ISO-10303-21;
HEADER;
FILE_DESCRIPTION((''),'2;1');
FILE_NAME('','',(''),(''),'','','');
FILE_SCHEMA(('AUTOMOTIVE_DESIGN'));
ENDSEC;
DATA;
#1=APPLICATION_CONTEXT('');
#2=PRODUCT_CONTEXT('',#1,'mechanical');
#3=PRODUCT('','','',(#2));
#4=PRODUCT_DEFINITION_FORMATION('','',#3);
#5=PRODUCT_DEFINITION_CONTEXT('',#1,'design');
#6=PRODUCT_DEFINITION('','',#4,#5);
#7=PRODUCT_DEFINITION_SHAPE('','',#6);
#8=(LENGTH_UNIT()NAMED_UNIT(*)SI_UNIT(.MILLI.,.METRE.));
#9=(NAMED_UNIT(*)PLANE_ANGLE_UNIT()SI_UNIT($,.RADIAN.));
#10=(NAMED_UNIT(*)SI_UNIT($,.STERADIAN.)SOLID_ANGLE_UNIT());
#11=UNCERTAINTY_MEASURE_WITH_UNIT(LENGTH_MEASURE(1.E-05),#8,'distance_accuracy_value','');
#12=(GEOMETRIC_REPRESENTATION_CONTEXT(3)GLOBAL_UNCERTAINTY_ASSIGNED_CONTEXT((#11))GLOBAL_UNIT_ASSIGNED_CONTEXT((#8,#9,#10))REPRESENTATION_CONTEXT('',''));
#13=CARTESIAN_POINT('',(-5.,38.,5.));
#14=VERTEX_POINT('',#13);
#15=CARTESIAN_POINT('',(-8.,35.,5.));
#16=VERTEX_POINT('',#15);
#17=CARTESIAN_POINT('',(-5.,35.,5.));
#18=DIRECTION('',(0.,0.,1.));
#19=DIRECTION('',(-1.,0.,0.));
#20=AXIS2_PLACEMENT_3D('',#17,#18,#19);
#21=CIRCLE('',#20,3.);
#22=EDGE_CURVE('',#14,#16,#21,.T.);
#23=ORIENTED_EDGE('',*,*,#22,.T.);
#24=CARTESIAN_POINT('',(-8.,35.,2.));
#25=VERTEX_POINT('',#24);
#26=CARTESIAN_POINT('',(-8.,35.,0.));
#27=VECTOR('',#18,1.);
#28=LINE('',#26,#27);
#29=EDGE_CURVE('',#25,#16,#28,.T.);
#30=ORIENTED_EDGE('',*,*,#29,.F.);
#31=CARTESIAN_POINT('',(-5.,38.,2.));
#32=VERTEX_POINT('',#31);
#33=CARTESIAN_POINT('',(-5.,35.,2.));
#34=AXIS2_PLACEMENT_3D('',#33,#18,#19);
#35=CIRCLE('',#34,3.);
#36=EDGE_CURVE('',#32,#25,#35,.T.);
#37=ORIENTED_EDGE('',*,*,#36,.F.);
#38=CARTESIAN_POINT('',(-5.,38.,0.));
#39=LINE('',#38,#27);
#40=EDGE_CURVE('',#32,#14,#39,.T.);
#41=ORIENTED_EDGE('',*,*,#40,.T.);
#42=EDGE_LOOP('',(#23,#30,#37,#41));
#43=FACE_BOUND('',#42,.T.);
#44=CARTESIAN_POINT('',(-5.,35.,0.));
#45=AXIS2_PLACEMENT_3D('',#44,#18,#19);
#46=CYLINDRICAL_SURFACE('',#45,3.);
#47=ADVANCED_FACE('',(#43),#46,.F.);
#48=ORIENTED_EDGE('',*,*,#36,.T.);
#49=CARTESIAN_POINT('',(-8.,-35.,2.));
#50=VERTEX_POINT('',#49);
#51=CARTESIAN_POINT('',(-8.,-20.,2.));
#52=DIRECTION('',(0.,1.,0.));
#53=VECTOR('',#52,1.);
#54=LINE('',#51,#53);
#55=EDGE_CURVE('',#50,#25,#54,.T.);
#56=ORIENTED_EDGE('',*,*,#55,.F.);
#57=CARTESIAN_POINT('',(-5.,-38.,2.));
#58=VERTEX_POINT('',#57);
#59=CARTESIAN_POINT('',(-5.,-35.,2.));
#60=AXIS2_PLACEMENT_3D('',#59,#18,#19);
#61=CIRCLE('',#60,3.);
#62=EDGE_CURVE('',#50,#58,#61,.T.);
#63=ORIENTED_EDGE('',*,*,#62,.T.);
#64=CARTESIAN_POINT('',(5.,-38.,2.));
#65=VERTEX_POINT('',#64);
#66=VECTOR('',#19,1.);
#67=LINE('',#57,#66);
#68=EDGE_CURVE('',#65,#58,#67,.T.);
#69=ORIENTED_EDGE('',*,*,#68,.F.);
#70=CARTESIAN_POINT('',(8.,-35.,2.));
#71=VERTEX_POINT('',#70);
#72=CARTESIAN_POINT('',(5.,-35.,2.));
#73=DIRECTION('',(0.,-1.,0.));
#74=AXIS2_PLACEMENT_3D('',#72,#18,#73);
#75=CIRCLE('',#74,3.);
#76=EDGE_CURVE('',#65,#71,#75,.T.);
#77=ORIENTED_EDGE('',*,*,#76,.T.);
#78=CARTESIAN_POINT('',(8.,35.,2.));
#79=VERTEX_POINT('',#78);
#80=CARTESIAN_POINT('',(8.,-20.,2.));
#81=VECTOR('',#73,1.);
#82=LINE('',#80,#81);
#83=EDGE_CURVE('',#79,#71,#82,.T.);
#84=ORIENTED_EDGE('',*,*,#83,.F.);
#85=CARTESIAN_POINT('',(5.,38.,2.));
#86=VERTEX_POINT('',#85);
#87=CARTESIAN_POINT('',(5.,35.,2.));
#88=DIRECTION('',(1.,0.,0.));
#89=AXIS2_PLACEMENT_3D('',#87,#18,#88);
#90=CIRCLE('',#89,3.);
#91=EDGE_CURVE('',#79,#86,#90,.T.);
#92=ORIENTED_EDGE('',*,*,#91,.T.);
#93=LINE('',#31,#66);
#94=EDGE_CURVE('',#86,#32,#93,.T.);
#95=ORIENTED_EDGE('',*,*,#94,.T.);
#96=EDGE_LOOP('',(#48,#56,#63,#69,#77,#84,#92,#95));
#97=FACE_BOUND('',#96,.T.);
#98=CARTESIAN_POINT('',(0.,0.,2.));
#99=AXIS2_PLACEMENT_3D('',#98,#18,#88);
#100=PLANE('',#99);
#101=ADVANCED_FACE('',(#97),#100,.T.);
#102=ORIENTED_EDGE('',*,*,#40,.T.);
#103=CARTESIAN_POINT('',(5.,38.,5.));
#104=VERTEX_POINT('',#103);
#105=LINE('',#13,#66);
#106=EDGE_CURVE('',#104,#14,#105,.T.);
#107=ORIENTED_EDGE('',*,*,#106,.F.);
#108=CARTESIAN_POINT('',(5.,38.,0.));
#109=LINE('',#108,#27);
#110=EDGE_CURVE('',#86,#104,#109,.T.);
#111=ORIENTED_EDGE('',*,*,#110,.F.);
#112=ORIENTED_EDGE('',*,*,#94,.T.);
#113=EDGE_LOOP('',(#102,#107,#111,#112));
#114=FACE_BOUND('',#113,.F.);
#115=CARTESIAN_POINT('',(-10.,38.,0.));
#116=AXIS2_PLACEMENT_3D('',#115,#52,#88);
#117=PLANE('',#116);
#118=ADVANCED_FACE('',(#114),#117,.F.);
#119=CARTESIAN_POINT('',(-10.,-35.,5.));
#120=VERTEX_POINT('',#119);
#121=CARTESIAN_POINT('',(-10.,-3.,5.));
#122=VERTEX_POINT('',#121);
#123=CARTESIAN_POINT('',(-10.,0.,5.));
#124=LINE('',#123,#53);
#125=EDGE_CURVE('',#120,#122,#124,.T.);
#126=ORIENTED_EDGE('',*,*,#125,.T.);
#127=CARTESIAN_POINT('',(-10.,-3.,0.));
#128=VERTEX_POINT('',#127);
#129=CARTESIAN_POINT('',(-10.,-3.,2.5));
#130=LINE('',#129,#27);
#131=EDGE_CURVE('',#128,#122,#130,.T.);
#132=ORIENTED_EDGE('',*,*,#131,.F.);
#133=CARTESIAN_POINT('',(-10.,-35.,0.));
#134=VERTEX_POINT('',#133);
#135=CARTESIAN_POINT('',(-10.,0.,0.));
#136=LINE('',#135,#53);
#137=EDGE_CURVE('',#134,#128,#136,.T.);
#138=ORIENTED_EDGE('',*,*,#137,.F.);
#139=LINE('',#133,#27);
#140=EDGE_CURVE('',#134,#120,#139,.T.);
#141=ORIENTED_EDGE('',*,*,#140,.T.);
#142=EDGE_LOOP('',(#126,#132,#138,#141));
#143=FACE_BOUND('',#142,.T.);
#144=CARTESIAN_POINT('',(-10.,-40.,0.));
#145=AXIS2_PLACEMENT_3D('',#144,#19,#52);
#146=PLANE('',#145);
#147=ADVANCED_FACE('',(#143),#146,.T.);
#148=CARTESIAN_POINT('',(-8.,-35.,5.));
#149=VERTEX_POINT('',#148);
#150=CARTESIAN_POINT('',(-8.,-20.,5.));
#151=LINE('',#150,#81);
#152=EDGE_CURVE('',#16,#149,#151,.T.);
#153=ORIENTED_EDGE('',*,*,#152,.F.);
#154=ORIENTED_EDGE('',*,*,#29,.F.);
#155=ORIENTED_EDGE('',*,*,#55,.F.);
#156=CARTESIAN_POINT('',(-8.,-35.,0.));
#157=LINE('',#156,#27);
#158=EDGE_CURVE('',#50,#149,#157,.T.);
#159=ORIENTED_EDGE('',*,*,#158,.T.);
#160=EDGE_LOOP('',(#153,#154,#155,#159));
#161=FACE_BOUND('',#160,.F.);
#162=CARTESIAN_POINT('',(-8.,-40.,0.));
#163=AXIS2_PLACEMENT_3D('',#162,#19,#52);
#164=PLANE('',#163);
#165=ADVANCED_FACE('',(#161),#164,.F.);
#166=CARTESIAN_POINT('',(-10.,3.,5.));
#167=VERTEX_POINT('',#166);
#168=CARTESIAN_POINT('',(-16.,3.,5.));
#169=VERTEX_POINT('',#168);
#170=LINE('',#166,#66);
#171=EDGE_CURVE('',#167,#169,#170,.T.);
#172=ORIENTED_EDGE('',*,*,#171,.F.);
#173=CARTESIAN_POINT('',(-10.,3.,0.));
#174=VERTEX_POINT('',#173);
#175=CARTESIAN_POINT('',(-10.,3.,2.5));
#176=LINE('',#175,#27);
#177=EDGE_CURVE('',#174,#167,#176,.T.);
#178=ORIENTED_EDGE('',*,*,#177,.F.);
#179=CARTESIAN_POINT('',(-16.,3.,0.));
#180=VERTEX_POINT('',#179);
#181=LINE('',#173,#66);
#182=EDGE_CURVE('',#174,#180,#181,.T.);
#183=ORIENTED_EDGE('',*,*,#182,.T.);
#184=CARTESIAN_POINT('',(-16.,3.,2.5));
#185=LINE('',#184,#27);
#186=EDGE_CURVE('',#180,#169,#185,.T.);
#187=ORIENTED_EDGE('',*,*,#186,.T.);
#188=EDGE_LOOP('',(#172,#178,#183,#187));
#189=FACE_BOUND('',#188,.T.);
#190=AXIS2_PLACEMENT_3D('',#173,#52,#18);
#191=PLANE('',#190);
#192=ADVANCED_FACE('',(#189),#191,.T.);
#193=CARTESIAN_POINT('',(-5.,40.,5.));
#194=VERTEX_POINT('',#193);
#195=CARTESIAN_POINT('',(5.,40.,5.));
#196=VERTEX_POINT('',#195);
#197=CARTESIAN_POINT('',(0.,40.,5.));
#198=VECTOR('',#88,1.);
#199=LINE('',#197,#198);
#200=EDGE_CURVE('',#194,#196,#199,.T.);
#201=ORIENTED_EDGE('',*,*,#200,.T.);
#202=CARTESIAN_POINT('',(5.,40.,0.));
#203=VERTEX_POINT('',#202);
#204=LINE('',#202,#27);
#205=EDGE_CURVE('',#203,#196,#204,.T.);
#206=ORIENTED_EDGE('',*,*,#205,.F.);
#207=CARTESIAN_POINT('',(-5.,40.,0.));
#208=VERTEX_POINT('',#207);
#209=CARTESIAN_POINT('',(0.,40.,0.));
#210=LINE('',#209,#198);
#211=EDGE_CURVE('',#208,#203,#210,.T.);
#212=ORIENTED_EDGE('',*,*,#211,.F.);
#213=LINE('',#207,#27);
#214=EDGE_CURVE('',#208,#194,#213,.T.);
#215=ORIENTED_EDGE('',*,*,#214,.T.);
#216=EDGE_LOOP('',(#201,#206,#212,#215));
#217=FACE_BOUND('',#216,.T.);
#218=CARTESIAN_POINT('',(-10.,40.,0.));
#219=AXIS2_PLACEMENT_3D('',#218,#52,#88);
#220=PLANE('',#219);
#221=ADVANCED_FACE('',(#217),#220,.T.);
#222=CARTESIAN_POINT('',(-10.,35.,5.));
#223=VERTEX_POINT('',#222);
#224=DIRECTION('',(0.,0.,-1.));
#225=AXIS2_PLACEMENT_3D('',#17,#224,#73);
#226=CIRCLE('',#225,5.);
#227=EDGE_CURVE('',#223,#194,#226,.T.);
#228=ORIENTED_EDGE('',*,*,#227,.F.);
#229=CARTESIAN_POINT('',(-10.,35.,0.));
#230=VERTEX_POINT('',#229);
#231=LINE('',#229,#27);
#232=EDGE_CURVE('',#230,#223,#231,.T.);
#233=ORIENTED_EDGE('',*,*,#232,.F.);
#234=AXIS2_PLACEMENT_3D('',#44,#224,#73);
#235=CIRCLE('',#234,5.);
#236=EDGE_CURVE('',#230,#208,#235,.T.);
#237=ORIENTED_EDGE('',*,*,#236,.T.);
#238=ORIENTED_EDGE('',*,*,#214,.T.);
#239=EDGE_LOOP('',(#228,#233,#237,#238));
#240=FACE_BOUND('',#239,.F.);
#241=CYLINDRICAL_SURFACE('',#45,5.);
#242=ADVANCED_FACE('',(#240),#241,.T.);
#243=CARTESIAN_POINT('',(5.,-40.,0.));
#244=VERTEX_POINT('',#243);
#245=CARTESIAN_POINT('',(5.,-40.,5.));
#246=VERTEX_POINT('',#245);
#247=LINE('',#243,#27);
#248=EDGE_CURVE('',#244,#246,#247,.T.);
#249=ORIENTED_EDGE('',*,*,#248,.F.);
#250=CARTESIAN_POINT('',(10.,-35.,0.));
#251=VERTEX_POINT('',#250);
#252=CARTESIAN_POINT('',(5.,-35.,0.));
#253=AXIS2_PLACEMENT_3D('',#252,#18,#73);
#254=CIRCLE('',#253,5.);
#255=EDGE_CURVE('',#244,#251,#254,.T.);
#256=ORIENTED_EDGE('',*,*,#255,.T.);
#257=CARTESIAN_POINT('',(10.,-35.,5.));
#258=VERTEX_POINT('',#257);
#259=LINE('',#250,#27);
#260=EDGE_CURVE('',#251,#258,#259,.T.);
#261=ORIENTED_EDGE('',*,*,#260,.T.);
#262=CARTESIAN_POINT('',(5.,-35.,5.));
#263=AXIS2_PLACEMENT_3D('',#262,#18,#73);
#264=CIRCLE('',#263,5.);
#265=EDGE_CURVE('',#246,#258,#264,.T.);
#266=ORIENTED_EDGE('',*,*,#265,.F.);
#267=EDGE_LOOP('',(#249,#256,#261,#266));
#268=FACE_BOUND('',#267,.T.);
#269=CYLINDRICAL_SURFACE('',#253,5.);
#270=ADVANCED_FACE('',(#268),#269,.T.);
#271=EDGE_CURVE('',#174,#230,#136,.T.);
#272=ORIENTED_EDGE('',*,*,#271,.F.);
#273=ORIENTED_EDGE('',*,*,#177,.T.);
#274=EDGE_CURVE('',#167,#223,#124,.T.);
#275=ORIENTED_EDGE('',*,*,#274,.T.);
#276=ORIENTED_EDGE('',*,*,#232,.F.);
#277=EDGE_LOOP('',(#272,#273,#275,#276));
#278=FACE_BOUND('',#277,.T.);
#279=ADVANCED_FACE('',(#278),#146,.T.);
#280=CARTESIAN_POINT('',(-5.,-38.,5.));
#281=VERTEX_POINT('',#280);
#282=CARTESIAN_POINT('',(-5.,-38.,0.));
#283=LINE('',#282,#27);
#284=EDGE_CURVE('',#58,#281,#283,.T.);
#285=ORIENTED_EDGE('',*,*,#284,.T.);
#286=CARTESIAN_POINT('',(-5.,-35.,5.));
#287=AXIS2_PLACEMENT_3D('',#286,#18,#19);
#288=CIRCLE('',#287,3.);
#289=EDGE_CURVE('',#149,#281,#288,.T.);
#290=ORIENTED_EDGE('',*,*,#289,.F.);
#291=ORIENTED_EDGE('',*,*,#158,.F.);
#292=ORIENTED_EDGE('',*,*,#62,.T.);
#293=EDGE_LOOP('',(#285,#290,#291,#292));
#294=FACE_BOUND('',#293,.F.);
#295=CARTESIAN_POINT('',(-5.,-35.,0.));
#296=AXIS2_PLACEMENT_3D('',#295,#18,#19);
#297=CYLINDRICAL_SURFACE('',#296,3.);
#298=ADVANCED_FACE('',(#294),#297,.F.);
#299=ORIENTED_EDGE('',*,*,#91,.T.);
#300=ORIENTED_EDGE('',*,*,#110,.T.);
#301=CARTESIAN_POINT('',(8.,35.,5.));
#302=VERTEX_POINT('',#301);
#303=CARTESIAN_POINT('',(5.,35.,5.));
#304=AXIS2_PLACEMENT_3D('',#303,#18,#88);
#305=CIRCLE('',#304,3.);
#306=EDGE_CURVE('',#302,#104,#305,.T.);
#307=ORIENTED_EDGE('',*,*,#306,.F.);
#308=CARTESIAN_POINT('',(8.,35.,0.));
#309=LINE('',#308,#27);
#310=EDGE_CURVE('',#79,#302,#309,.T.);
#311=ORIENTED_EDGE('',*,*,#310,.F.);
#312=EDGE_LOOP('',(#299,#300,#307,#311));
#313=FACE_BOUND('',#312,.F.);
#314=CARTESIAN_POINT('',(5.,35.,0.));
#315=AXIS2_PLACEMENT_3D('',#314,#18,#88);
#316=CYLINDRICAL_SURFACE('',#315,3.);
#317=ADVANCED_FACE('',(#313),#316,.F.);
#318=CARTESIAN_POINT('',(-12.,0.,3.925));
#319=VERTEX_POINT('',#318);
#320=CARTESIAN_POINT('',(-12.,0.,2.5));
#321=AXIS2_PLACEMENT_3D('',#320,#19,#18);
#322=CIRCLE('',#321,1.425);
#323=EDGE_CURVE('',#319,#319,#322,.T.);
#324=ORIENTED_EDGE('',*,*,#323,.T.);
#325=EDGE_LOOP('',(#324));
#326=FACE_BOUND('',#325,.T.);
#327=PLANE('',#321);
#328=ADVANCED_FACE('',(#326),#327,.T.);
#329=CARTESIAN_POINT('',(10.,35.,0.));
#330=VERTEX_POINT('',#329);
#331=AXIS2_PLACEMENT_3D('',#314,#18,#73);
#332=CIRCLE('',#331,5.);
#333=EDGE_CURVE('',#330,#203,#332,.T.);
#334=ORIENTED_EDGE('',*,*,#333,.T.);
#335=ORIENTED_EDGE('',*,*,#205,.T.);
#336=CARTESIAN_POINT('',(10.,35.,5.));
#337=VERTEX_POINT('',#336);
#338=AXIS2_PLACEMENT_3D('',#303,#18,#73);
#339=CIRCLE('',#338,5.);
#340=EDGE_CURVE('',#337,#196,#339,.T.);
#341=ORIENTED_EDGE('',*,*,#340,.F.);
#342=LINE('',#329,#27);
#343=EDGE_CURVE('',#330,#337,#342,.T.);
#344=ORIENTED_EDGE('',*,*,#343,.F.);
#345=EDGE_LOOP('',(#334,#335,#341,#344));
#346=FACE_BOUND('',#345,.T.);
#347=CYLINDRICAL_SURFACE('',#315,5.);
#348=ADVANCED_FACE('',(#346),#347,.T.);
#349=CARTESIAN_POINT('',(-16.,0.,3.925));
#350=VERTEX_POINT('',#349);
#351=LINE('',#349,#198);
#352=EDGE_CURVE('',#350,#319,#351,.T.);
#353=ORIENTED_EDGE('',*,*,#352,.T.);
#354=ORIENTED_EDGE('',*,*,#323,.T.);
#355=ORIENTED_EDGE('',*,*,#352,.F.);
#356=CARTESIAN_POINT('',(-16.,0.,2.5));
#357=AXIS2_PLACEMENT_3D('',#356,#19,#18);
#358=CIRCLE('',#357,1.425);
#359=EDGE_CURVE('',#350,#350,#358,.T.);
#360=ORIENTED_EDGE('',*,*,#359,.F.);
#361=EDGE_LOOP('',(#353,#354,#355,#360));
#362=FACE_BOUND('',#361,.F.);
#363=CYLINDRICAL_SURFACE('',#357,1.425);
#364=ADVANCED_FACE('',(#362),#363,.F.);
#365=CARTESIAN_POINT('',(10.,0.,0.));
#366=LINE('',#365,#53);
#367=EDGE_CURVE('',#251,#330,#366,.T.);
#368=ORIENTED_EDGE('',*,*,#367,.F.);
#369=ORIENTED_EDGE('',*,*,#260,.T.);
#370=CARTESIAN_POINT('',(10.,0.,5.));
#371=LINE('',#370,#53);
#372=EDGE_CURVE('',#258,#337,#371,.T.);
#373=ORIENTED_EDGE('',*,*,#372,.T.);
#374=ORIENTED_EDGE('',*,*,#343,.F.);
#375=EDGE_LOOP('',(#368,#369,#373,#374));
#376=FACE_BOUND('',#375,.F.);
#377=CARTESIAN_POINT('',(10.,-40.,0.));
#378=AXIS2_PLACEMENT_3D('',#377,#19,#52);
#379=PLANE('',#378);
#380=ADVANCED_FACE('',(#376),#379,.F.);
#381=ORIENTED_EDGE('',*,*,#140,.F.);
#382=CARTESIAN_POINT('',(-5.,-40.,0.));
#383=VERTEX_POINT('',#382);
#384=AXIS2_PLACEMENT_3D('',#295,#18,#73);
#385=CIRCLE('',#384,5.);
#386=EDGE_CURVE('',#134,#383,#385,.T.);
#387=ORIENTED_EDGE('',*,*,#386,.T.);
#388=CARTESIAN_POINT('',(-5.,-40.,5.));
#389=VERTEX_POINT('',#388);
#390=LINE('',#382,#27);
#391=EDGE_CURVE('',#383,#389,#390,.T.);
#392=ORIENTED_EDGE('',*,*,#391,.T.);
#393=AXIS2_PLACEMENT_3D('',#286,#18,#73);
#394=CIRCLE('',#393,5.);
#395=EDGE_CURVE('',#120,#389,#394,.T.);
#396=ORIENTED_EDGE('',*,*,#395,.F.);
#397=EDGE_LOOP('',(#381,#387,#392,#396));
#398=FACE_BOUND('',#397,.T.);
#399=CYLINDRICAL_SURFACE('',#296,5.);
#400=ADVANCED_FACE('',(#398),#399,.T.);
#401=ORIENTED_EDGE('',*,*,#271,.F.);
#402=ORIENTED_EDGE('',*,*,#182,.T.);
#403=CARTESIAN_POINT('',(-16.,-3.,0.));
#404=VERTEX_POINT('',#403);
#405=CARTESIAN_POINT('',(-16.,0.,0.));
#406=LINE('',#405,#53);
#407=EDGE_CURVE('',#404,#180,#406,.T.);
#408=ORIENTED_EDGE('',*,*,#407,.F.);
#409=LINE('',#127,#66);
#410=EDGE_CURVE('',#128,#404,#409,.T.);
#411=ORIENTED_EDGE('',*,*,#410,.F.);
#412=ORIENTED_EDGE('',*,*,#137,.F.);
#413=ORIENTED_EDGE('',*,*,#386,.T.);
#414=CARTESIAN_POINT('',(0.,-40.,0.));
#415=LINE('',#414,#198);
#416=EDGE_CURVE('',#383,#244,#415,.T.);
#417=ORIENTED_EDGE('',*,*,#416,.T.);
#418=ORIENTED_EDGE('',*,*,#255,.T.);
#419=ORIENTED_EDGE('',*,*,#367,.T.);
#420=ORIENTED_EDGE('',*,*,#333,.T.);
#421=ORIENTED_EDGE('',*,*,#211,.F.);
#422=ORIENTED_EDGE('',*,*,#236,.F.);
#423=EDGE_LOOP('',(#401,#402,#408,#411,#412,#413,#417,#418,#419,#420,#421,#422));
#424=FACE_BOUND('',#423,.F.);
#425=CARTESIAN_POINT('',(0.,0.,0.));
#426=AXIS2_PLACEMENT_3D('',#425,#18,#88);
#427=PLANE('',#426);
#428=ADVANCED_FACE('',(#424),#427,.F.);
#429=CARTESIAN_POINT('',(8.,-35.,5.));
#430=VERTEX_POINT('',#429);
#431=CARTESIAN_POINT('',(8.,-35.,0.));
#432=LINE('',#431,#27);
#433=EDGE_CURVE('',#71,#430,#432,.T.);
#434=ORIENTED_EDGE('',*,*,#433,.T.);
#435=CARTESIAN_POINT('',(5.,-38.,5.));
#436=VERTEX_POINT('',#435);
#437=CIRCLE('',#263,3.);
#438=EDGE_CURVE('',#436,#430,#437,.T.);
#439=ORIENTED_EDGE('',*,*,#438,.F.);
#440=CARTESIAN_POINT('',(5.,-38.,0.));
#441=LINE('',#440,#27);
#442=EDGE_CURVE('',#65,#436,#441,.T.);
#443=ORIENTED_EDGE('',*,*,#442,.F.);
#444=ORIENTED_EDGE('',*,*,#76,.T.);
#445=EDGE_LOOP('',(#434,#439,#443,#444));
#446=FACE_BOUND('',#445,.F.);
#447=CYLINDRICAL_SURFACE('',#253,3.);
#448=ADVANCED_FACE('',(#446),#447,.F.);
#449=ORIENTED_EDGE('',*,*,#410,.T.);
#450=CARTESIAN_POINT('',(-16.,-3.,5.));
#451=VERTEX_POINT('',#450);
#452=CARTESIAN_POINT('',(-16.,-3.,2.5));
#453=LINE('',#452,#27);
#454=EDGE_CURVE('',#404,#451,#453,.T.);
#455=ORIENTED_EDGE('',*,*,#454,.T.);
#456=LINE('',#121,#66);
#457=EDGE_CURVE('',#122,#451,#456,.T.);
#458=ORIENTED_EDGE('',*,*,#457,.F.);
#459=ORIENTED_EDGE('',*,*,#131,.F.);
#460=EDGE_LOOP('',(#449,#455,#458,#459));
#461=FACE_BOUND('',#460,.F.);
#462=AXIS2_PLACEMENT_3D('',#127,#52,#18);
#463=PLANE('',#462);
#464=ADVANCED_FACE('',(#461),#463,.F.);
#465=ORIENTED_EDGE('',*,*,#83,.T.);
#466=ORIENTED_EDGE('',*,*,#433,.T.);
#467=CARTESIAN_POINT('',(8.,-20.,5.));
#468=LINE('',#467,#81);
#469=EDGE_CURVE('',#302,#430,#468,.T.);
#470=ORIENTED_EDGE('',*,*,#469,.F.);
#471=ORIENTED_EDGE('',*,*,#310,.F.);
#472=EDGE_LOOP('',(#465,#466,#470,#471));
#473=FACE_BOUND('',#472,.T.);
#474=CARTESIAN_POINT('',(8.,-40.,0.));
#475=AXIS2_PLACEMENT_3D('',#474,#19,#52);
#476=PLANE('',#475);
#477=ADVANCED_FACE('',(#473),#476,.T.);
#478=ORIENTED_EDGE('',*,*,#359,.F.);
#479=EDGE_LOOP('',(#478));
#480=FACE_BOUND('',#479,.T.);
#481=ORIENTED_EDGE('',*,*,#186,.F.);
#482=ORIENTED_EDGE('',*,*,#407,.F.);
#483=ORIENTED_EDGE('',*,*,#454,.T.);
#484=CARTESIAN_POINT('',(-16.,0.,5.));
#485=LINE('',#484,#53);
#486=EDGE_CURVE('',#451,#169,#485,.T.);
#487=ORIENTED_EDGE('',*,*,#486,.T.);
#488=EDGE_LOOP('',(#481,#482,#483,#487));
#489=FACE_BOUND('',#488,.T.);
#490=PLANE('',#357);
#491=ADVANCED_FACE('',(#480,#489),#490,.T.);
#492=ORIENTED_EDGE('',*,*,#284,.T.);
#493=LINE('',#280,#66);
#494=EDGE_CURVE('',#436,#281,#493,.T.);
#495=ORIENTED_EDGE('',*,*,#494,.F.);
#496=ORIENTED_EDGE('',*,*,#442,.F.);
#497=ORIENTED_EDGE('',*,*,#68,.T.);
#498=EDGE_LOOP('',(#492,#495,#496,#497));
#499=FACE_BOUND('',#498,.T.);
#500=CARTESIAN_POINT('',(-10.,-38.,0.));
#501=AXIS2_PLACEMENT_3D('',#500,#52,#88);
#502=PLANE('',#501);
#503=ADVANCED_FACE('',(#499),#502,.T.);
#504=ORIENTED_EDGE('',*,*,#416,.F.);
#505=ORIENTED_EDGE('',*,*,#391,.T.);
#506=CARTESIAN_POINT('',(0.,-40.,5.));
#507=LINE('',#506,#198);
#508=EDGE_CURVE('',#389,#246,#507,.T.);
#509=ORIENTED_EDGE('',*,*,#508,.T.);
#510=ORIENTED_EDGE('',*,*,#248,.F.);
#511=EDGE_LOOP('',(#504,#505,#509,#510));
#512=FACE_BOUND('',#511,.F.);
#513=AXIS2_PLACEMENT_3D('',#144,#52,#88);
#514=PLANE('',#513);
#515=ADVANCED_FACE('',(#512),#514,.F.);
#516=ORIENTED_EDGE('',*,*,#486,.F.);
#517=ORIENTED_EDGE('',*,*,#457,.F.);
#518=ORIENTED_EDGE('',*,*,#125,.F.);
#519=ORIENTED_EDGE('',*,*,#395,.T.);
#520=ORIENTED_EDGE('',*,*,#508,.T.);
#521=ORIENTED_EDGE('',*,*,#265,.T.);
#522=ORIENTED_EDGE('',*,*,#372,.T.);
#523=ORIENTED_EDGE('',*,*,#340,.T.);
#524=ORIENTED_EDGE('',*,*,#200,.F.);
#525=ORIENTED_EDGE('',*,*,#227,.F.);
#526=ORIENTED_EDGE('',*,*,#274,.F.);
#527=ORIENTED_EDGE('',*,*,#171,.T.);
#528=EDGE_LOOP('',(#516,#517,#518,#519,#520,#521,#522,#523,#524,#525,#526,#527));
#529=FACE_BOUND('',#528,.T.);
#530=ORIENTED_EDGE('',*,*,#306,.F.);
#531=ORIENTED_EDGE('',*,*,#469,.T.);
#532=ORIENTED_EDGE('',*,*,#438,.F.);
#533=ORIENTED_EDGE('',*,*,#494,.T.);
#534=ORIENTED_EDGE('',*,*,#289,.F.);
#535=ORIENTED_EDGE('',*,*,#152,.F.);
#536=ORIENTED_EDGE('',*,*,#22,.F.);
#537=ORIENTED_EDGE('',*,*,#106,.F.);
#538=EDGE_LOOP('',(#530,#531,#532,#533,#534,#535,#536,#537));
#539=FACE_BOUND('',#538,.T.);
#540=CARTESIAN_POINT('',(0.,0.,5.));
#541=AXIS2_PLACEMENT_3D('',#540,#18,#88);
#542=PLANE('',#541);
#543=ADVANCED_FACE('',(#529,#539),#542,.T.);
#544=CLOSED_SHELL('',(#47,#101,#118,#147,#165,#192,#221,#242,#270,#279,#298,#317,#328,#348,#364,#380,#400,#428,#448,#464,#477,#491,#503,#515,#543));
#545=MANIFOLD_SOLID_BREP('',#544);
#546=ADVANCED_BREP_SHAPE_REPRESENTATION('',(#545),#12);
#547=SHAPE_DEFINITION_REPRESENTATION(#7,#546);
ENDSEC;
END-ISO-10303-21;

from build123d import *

# Parameters (mm, degrees)
SKETCH1_W           = 20
SKETCH1_H           = 80
BOSS_EXTRUDE1_DEPTH = 5
FILLET1_R           = 5
SHELL1_T            = -2
SKETCH3_W           = 5
SKETCH3_H           = 6
BOSS_EXTRUDE3_DEPTH = 6
SKETCH4_R           = 1.425
CUT_EXTRUDE1_DEPTH  = 4


with BuildPart() as part:
    # Sketch1 → Boss-Extrude1 (new body)
    with BuildSketch(Plane.XY):
        Rectangle(SKETCH1_W, SKETCH1_H)
    extrude(amount=BOSS_EXTRUDE1_DEPTH)

    # Fillet1
    fillet1_edges = [part.edges().sort_by_distance(p)[0] for p in [
        (-10, 40, 2.5),
        (10, 40, 2.5),
        (10, -40, 2.5),
        (-10, -40, 2.5),
    ]]
    fillet(fillet1_edges, radius=FILLET1_R)

    # Shell1
    shell1_openings = [part.faces().sort_by_distance(p)[0] for p in [
        (0, 0, 5),
    ]]
    offset(amount=SHELL1_T, openings=shell1_openings, kind=Kind.INTERSECTION)

    # Sketch3 → Boss-Extrude3 (add)
    with BuildSketch(Plane.ZY.offset(10)):
        with Locations((2.5, 0)):
            Rectangle(SKETCH3_W, SKETCH3_H)
    extrude(amount=BOSS_EXTRUDE3_DEPTH)

    # Sketch4 → Cut-Extrude1 (cut)
    with BuildSketch(Plane.ZY.offset(16)):
        with Locations((2.5, 0)):
            Circle(SKETCH4_R)
    extrude(amount=-CUT_EXTRUDE1_DEPTH, mode=Mode.SUBTRACT)


solid = part.part
